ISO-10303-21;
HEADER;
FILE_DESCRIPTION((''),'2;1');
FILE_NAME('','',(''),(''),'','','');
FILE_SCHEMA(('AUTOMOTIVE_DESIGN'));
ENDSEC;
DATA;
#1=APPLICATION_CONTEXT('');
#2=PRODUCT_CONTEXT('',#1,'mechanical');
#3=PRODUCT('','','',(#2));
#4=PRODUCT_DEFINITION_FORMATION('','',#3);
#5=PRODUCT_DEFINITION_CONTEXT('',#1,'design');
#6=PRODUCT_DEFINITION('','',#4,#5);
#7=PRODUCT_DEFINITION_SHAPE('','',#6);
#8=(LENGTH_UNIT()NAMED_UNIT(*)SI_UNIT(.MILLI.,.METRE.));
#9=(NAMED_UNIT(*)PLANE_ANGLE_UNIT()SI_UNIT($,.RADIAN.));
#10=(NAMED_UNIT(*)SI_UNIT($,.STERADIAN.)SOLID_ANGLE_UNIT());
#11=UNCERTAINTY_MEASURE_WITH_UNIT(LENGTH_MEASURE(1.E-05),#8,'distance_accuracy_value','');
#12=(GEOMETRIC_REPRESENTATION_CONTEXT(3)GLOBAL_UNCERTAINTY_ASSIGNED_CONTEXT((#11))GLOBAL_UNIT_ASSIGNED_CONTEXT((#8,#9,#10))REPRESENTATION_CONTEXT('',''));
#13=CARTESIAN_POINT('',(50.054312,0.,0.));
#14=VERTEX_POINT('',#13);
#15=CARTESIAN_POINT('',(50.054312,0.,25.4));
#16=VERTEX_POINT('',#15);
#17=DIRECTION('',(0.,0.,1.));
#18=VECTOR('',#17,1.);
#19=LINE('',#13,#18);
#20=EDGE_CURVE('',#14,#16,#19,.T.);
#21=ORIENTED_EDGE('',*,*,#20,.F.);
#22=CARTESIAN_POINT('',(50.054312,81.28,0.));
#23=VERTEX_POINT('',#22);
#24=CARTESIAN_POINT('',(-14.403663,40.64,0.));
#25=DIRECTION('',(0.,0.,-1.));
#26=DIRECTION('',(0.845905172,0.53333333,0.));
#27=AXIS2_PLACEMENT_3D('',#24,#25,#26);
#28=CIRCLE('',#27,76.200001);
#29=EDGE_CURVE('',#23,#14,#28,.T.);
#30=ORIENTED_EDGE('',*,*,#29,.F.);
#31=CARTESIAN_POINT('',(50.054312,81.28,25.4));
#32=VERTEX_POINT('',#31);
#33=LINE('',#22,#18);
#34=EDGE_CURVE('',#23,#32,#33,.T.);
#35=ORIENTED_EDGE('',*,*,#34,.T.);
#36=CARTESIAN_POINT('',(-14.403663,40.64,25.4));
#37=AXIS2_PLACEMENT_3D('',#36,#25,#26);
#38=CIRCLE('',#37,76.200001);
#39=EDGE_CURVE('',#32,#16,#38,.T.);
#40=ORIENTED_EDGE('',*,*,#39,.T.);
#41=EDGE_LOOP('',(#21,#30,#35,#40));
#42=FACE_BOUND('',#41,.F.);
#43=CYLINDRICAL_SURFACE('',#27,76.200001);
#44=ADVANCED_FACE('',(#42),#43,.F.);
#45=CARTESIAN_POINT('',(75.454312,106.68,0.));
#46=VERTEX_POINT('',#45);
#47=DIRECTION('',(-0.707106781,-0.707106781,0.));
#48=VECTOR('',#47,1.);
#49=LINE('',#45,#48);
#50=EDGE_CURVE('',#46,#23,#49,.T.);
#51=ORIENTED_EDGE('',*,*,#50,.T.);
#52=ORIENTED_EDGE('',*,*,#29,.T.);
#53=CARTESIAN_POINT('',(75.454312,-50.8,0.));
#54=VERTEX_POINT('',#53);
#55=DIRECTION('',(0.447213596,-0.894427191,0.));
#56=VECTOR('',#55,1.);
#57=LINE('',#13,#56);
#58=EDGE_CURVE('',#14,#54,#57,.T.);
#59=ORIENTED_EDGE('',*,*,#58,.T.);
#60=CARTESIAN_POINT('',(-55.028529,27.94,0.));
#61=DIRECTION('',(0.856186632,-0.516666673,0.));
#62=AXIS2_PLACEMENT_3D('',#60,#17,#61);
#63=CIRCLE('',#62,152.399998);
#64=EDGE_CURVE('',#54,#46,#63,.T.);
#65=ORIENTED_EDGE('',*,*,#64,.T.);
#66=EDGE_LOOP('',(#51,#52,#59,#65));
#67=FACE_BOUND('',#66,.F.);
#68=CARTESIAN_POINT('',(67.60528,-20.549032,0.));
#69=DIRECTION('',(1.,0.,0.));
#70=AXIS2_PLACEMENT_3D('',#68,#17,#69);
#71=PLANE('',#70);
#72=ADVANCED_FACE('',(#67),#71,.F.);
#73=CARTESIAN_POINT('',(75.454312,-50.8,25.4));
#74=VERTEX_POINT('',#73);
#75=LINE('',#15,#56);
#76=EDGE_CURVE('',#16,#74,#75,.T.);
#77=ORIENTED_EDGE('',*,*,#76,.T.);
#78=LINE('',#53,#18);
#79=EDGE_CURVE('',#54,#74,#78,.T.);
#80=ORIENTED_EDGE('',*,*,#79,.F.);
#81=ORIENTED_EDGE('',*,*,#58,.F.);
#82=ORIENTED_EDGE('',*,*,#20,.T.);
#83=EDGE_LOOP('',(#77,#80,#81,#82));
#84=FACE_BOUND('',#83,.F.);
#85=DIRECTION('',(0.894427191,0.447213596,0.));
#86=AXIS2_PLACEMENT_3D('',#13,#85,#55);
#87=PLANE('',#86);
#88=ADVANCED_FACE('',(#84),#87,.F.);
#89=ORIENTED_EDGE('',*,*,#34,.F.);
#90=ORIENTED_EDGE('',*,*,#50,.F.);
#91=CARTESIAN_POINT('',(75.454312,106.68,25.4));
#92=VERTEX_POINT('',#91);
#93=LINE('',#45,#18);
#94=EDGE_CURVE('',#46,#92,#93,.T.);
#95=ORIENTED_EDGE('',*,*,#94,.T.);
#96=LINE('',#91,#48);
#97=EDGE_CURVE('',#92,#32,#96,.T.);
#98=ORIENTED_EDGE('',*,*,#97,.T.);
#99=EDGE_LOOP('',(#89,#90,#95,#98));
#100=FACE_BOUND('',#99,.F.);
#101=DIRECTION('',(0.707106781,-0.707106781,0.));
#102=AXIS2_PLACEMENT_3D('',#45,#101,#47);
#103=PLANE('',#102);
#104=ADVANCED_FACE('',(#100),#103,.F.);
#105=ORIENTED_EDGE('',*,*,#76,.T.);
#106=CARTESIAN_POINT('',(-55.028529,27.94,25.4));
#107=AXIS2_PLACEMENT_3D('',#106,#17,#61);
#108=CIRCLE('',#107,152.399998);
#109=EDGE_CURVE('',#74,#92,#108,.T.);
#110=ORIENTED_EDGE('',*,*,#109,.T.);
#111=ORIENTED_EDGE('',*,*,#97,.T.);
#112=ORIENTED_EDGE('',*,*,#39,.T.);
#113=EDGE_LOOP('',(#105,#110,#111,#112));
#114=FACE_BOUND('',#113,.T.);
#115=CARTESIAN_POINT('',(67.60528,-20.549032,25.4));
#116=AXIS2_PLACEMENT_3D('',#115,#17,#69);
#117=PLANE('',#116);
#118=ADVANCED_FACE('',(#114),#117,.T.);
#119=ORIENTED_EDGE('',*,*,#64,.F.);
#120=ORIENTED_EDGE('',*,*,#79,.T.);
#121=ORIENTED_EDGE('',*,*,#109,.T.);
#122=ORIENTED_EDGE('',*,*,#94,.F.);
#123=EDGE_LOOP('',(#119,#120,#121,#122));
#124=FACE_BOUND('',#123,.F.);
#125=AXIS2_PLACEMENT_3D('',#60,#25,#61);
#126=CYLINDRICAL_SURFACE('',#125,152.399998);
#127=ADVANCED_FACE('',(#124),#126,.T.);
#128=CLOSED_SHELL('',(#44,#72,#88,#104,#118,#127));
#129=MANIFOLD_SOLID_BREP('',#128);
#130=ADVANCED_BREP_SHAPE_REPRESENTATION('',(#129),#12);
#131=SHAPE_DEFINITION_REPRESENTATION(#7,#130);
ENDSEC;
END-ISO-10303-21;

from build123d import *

# Parameters (mm, degrees)
F1_DEPTH = 25.4


with BuildPart() as f1:
    # F0 (on Top) → F1 (new body)
    with BuildSketch(Plane.XY):
        Polygon((75.454312, 0), (50.054312, 0), (75.454312, -50.8), align=None)
        with BuildLine():
            Line((75.454312, 106.68), (75.454312, 0))
            Line((75.454312, 0), (75.454312, -50.8))
            ThreePointArc((75.454312, -50.8), (97.371469, 27.94), (75.454312, 106.68))
        make_face()
        with BuildLine():
            ThreePointArc((50.054312, 81.28), (61.796338, 40.64), (50.054312, 0))
            Line((50.054312, 0), (75.454312, 0))
            Line((75.454312, 0), (75.454312, 106.68))
            Line((75.454312, 106.68), (50.054312, 81.28))
        make_face()
    extrude(amount=F1_DEPTH)


solid = f1.part
